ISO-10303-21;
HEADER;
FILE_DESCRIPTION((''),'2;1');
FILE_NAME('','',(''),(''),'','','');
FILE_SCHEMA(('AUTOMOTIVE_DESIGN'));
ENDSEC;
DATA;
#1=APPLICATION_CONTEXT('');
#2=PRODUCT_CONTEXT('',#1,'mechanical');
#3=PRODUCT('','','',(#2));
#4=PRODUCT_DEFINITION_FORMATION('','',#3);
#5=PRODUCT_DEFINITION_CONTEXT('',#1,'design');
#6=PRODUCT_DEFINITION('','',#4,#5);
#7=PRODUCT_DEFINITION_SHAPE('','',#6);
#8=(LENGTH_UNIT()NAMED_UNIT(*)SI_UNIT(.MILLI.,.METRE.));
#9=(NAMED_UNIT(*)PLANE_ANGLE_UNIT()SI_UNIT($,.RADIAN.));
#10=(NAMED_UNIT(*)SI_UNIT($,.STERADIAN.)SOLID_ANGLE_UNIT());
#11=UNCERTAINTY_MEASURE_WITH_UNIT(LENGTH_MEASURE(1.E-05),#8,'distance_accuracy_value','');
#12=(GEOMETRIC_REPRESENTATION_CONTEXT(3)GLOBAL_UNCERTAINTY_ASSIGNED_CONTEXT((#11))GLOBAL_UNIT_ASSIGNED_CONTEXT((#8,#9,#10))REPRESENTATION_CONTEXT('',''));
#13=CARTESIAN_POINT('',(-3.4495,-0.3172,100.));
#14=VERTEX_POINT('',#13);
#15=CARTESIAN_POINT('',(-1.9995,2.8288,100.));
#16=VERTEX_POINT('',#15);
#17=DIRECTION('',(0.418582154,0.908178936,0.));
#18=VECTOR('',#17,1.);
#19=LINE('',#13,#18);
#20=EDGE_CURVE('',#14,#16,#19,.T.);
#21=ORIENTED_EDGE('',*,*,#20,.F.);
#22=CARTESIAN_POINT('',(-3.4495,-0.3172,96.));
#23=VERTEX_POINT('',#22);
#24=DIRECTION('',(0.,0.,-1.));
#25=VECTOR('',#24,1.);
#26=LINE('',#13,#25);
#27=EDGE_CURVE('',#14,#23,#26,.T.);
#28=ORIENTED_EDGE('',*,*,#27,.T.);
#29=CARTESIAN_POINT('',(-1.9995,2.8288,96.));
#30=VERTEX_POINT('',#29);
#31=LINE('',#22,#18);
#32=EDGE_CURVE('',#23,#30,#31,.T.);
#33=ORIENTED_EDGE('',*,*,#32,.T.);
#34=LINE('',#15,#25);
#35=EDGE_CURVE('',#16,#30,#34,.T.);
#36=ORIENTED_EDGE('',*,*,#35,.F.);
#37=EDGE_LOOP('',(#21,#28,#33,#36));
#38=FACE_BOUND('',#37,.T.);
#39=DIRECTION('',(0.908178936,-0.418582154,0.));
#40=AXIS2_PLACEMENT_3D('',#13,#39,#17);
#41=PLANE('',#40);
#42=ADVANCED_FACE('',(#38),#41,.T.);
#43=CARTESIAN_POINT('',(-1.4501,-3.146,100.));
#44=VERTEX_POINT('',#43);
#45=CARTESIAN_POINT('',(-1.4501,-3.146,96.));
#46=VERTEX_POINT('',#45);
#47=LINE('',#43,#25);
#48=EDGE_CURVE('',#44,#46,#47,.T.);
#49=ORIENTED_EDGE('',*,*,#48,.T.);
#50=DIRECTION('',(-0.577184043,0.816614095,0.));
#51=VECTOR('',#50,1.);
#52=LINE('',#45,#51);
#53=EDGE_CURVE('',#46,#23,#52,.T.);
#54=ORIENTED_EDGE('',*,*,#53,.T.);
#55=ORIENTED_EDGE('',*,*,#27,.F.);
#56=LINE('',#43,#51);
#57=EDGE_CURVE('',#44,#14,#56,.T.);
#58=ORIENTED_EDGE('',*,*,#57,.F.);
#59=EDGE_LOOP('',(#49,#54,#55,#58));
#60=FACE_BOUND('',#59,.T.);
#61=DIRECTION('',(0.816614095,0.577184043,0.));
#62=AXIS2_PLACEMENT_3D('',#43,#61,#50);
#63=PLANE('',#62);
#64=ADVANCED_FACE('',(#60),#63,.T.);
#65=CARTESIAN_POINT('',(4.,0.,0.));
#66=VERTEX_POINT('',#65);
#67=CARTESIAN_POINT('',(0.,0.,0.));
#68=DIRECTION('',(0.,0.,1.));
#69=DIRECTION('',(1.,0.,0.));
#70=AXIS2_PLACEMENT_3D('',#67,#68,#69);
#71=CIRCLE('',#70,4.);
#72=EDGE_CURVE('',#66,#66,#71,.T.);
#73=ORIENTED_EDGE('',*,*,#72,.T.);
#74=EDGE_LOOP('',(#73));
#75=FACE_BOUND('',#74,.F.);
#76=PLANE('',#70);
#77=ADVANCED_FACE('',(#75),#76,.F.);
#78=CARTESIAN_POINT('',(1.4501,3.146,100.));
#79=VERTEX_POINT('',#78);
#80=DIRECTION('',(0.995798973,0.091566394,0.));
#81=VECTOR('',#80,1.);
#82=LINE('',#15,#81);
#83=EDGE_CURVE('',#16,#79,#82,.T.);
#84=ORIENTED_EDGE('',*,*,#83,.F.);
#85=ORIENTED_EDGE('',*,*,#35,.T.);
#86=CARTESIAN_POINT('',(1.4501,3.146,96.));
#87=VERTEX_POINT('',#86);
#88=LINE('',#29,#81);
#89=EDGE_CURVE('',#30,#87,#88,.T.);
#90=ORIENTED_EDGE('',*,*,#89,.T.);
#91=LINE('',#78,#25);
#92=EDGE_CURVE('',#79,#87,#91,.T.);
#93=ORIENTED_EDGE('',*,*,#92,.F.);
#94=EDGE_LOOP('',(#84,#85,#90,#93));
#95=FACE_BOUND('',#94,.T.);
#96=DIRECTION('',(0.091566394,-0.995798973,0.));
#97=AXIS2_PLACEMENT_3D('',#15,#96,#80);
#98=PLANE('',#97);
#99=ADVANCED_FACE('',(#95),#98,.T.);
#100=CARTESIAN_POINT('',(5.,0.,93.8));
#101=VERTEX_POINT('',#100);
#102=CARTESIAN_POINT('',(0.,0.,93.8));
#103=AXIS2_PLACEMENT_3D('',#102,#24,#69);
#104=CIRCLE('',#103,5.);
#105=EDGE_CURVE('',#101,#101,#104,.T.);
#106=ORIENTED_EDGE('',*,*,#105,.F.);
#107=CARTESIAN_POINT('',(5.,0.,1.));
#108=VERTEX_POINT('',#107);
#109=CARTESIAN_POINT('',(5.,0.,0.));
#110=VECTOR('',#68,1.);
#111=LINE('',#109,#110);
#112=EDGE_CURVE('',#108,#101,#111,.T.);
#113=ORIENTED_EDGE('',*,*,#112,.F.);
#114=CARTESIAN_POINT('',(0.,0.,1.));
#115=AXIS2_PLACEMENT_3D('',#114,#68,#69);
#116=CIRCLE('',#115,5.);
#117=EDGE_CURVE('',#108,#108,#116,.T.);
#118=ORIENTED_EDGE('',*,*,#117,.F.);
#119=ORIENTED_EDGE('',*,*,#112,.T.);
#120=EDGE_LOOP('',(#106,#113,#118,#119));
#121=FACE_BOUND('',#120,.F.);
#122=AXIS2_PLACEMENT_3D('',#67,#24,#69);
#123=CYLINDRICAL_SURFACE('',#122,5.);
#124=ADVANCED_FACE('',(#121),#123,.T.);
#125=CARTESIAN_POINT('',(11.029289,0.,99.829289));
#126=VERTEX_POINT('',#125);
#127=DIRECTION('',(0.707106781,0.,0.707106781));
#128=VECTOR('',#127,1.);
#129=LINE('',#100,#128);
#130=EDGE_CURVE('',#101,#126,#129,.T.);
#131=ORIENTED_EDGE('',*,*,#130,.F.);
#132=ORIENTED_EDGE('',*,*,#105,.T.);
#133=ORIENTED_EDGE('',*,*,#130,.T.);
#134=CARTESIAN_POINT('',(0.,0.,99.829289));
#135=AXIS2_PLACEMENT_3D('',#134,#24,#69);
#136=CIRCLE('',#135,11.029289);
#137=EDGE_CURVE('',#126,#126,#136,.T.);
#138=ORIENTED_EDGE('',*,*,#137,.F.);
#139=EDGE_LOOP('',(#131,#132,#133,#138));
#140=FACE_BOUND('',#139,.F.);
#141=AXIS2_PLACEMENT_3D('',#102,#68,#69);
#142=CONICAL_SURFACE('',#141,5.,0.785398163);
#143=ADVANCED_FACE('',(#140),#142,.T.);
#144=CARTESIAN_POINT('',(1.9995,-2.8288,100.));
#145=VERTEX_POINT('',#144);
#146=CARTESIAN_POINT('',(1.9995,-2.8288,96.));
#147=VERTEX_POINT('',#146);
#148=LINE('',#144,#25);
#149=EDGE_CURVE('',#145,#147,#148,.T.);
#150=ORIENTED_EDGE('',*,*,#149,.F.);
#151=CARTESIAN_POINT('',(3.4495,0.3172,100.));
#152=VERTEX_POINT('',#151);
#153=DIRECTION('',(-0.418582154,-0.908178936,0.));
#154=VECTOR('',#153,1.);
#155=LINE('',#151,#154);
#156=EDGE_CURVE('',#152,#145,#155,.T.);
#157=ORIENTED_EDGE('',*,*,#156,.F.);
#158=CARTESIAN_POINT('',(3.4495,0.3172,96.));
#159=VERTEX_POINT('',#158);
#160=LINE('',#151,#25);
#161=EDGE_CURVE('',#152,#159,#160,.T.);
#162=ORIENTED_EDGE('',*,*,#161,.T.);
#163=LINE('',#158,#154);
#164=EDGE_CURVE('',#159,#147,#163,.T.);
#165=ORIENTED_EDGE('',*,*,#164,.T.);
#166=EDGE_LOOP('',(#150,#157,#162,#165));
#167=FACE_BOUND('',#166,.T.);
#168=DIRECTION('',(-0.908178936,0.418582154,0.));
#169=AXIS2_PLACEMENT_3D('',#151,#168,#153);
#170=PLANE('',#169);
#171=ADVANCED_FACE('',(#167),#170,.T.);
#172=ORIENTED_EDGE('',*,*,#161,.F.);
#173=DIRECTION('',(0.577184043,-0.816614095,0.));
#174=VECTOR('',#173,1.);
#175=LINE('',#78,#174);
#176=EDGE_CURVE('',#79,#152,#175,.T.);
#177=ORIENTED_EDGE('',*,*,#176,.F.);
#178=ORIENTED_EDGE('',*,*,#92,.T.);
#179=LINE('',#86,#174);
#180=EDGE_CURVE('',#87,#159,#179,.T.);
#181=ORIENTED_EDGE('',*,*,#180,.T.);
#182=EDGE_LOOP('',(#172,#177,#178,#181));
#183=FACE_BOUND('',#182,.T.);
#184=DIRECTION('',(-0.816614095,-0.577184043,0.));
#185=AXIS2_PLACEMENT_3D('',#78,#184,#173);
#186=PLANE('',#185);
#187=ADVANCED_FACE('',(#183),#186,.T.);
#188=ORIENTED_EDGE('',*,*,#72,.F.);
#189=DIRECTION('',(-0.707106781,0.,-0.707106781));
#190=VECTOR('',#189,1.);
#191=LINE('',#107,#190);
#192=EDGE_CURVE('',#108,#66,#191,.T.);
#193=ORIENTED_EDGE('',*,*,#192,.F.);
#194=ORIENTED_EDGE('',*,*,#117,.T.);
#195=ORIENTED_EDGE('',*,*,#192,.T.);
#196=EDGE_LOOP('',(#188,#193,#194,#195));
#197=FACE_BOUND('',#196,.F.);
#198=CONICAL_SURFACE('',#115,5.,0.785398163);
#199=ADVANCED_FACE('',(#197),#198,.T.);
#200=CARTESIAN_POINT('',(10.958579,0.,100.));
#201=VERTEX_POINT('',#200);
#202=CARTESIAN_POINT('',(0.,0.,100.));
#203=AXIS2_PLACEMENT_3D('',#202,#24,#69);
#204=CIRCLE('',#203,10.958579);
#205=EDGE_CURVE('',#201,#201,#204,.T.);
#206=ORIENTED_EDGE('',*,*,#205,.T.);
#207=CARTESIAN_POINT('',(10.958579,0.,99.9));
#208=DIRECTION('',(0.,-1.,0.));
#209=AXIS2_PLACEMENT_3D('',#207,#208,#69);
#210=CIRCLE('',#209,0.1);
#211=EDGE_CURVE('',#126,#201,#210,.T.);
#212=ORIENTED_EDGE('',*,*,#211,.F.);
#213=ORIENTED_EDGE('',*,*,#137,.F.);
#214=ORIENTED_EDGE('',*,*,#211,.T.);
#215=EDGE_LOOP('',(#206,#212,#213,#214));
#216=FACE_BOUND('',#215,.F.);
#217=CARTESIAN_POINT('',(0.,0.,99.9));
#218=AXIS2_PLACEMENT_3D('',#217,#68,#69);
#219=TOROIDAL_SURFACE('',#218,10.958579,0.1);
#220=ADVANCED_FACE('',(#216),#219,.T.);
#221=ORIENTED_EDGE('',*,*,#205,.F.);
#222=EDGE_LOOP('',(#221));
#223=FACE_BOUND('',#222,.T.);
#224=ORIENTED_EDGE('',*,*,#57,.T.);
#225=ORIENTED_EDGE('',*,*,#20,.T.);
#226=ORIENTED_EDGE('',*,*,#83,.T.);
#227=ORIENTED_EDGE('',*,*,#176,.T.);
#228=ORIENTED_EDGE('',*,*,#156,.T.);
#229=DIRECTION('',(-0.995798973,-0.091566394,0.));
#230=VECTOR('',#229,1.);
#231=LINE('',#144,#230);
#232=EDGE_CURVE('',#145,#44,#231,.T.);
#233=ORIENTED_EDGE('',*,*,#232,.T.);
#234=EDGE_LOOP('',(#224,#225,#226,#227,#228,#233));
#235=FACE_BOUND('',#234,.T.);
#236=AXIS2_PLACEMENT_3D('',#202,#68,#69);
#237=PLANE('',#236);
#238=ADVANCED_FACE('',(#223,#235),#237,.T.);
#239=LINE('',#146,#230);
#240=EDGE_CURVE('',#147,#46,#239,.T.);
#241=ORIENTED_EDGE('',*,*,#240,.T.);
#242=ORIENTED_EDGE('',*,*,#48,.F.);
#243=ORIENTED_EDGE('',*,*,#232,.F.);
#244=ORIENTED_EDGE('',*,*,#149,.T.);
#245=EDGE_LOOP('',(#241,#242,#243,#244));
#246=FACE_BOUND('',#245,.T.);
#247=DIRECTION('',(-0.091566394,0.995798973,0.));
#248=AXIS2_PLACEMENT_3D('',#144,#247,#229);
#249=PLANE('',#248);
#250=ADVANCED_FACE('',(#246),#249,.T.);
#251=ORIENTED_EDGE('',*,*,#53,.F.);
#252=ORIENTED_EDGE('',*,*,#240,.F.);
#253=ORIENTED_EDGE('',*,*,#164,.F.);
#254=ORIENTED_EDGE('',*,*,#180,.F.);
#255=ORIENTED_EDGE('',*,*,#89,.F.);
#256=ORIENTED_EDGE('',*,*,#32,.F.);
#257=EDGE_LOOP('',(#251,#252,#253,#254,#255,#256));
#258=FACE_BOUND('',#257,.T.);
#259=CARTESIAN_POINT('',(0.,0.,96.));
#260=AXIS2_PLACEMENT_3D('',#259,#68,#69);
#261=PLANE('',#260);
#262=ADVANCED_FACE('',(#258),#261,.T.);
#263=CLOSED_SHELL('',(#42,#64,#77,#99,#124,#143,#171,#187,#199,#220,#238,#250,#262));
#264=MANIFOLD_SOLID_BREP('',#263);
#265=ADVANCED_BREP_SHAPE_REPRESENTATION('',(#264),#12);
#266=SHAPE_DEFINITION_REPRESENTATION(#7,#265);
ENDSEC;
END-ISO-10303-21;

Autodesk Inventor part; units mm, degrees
ref_plane "YZ Plane" through (0, 0, 0) normal (1, 0, 0) x (0, 1, 0)
ref_plane "XZ Plane" through (0, 0, 0) normal (0, 1, 0) x (-1, 0, 0)
ref_plane "XY Plane" through (0, 0, 0) normal (0, 0, 1) x (1, 0, 0)
sketch "Sketch1" plane through (0, 0, 0) normal (0, 0, 1) x (1, 0, 0)
  circle A0 centre (0, 0) radius 5
  dimension "Diameter" = 10
extrude "Extrusion1" add sketch "Sketch1" along normal blind 93.8
sketch "Sketch2" plane through (0, 0, 93.8) normal (0, 0, 1) x (1, 0, 0)
  circle A0 centre (0, 0) radius 5 projected
extrude "Extrusion2" add sketch "Sketch2" along normal blind 6.2 draft 45
sketch "Sketch3" plane through (0, 0, 100) normal (0, 0, 1) x (1, 0, 0)
  circle A0 centre (0, 0) radius 11.2 projected
  circle A1 centre (0, 0) radius 3.4641 construction
  line L0 (1.4501, 3.146) -> (3.4495, 0.3172)
  line L1 (3.4495, 0.3172) -> (1.9995, -2.8288)
  line L2 (1.9995, -2.8288) -> (-1.4501, -3.146)
  line L3 (-1.4501, -3.146) -> (-3.4495, -0.3172)
  line L4 (-3.4495, -0.3172) -> (-1.9995, 2.8288)
  line L5 (-1.9995, 2.8288) -> (1.4501, 3.146)
  dimension "Hex_Width" = 6
extrude "Extrusion3" cut sketch "Sketch3" against normal blind 4 contours L0 L1 L2 L3 L4 L5
thread "Thread1" size "M10x1.5" class "4g6g" standard "ANSI Metric M Profile" length 55
chamfer "Chamfer2" distance 1 angle 45 1 edges at (-5, 0, 0)
fillet "Fillet1" radius 0.1 1 edges at (-11.2, 0, 100)
equation "\"d10\" = Thread_Length"
equation "\"d13\" = Chamfer"
equation "\"Thread_Length\" = 55"
equation "\"Chamfer\" = 1"
properties part number "SCREW,FLAT HD,P, 5,M8X1.25X100MM"
